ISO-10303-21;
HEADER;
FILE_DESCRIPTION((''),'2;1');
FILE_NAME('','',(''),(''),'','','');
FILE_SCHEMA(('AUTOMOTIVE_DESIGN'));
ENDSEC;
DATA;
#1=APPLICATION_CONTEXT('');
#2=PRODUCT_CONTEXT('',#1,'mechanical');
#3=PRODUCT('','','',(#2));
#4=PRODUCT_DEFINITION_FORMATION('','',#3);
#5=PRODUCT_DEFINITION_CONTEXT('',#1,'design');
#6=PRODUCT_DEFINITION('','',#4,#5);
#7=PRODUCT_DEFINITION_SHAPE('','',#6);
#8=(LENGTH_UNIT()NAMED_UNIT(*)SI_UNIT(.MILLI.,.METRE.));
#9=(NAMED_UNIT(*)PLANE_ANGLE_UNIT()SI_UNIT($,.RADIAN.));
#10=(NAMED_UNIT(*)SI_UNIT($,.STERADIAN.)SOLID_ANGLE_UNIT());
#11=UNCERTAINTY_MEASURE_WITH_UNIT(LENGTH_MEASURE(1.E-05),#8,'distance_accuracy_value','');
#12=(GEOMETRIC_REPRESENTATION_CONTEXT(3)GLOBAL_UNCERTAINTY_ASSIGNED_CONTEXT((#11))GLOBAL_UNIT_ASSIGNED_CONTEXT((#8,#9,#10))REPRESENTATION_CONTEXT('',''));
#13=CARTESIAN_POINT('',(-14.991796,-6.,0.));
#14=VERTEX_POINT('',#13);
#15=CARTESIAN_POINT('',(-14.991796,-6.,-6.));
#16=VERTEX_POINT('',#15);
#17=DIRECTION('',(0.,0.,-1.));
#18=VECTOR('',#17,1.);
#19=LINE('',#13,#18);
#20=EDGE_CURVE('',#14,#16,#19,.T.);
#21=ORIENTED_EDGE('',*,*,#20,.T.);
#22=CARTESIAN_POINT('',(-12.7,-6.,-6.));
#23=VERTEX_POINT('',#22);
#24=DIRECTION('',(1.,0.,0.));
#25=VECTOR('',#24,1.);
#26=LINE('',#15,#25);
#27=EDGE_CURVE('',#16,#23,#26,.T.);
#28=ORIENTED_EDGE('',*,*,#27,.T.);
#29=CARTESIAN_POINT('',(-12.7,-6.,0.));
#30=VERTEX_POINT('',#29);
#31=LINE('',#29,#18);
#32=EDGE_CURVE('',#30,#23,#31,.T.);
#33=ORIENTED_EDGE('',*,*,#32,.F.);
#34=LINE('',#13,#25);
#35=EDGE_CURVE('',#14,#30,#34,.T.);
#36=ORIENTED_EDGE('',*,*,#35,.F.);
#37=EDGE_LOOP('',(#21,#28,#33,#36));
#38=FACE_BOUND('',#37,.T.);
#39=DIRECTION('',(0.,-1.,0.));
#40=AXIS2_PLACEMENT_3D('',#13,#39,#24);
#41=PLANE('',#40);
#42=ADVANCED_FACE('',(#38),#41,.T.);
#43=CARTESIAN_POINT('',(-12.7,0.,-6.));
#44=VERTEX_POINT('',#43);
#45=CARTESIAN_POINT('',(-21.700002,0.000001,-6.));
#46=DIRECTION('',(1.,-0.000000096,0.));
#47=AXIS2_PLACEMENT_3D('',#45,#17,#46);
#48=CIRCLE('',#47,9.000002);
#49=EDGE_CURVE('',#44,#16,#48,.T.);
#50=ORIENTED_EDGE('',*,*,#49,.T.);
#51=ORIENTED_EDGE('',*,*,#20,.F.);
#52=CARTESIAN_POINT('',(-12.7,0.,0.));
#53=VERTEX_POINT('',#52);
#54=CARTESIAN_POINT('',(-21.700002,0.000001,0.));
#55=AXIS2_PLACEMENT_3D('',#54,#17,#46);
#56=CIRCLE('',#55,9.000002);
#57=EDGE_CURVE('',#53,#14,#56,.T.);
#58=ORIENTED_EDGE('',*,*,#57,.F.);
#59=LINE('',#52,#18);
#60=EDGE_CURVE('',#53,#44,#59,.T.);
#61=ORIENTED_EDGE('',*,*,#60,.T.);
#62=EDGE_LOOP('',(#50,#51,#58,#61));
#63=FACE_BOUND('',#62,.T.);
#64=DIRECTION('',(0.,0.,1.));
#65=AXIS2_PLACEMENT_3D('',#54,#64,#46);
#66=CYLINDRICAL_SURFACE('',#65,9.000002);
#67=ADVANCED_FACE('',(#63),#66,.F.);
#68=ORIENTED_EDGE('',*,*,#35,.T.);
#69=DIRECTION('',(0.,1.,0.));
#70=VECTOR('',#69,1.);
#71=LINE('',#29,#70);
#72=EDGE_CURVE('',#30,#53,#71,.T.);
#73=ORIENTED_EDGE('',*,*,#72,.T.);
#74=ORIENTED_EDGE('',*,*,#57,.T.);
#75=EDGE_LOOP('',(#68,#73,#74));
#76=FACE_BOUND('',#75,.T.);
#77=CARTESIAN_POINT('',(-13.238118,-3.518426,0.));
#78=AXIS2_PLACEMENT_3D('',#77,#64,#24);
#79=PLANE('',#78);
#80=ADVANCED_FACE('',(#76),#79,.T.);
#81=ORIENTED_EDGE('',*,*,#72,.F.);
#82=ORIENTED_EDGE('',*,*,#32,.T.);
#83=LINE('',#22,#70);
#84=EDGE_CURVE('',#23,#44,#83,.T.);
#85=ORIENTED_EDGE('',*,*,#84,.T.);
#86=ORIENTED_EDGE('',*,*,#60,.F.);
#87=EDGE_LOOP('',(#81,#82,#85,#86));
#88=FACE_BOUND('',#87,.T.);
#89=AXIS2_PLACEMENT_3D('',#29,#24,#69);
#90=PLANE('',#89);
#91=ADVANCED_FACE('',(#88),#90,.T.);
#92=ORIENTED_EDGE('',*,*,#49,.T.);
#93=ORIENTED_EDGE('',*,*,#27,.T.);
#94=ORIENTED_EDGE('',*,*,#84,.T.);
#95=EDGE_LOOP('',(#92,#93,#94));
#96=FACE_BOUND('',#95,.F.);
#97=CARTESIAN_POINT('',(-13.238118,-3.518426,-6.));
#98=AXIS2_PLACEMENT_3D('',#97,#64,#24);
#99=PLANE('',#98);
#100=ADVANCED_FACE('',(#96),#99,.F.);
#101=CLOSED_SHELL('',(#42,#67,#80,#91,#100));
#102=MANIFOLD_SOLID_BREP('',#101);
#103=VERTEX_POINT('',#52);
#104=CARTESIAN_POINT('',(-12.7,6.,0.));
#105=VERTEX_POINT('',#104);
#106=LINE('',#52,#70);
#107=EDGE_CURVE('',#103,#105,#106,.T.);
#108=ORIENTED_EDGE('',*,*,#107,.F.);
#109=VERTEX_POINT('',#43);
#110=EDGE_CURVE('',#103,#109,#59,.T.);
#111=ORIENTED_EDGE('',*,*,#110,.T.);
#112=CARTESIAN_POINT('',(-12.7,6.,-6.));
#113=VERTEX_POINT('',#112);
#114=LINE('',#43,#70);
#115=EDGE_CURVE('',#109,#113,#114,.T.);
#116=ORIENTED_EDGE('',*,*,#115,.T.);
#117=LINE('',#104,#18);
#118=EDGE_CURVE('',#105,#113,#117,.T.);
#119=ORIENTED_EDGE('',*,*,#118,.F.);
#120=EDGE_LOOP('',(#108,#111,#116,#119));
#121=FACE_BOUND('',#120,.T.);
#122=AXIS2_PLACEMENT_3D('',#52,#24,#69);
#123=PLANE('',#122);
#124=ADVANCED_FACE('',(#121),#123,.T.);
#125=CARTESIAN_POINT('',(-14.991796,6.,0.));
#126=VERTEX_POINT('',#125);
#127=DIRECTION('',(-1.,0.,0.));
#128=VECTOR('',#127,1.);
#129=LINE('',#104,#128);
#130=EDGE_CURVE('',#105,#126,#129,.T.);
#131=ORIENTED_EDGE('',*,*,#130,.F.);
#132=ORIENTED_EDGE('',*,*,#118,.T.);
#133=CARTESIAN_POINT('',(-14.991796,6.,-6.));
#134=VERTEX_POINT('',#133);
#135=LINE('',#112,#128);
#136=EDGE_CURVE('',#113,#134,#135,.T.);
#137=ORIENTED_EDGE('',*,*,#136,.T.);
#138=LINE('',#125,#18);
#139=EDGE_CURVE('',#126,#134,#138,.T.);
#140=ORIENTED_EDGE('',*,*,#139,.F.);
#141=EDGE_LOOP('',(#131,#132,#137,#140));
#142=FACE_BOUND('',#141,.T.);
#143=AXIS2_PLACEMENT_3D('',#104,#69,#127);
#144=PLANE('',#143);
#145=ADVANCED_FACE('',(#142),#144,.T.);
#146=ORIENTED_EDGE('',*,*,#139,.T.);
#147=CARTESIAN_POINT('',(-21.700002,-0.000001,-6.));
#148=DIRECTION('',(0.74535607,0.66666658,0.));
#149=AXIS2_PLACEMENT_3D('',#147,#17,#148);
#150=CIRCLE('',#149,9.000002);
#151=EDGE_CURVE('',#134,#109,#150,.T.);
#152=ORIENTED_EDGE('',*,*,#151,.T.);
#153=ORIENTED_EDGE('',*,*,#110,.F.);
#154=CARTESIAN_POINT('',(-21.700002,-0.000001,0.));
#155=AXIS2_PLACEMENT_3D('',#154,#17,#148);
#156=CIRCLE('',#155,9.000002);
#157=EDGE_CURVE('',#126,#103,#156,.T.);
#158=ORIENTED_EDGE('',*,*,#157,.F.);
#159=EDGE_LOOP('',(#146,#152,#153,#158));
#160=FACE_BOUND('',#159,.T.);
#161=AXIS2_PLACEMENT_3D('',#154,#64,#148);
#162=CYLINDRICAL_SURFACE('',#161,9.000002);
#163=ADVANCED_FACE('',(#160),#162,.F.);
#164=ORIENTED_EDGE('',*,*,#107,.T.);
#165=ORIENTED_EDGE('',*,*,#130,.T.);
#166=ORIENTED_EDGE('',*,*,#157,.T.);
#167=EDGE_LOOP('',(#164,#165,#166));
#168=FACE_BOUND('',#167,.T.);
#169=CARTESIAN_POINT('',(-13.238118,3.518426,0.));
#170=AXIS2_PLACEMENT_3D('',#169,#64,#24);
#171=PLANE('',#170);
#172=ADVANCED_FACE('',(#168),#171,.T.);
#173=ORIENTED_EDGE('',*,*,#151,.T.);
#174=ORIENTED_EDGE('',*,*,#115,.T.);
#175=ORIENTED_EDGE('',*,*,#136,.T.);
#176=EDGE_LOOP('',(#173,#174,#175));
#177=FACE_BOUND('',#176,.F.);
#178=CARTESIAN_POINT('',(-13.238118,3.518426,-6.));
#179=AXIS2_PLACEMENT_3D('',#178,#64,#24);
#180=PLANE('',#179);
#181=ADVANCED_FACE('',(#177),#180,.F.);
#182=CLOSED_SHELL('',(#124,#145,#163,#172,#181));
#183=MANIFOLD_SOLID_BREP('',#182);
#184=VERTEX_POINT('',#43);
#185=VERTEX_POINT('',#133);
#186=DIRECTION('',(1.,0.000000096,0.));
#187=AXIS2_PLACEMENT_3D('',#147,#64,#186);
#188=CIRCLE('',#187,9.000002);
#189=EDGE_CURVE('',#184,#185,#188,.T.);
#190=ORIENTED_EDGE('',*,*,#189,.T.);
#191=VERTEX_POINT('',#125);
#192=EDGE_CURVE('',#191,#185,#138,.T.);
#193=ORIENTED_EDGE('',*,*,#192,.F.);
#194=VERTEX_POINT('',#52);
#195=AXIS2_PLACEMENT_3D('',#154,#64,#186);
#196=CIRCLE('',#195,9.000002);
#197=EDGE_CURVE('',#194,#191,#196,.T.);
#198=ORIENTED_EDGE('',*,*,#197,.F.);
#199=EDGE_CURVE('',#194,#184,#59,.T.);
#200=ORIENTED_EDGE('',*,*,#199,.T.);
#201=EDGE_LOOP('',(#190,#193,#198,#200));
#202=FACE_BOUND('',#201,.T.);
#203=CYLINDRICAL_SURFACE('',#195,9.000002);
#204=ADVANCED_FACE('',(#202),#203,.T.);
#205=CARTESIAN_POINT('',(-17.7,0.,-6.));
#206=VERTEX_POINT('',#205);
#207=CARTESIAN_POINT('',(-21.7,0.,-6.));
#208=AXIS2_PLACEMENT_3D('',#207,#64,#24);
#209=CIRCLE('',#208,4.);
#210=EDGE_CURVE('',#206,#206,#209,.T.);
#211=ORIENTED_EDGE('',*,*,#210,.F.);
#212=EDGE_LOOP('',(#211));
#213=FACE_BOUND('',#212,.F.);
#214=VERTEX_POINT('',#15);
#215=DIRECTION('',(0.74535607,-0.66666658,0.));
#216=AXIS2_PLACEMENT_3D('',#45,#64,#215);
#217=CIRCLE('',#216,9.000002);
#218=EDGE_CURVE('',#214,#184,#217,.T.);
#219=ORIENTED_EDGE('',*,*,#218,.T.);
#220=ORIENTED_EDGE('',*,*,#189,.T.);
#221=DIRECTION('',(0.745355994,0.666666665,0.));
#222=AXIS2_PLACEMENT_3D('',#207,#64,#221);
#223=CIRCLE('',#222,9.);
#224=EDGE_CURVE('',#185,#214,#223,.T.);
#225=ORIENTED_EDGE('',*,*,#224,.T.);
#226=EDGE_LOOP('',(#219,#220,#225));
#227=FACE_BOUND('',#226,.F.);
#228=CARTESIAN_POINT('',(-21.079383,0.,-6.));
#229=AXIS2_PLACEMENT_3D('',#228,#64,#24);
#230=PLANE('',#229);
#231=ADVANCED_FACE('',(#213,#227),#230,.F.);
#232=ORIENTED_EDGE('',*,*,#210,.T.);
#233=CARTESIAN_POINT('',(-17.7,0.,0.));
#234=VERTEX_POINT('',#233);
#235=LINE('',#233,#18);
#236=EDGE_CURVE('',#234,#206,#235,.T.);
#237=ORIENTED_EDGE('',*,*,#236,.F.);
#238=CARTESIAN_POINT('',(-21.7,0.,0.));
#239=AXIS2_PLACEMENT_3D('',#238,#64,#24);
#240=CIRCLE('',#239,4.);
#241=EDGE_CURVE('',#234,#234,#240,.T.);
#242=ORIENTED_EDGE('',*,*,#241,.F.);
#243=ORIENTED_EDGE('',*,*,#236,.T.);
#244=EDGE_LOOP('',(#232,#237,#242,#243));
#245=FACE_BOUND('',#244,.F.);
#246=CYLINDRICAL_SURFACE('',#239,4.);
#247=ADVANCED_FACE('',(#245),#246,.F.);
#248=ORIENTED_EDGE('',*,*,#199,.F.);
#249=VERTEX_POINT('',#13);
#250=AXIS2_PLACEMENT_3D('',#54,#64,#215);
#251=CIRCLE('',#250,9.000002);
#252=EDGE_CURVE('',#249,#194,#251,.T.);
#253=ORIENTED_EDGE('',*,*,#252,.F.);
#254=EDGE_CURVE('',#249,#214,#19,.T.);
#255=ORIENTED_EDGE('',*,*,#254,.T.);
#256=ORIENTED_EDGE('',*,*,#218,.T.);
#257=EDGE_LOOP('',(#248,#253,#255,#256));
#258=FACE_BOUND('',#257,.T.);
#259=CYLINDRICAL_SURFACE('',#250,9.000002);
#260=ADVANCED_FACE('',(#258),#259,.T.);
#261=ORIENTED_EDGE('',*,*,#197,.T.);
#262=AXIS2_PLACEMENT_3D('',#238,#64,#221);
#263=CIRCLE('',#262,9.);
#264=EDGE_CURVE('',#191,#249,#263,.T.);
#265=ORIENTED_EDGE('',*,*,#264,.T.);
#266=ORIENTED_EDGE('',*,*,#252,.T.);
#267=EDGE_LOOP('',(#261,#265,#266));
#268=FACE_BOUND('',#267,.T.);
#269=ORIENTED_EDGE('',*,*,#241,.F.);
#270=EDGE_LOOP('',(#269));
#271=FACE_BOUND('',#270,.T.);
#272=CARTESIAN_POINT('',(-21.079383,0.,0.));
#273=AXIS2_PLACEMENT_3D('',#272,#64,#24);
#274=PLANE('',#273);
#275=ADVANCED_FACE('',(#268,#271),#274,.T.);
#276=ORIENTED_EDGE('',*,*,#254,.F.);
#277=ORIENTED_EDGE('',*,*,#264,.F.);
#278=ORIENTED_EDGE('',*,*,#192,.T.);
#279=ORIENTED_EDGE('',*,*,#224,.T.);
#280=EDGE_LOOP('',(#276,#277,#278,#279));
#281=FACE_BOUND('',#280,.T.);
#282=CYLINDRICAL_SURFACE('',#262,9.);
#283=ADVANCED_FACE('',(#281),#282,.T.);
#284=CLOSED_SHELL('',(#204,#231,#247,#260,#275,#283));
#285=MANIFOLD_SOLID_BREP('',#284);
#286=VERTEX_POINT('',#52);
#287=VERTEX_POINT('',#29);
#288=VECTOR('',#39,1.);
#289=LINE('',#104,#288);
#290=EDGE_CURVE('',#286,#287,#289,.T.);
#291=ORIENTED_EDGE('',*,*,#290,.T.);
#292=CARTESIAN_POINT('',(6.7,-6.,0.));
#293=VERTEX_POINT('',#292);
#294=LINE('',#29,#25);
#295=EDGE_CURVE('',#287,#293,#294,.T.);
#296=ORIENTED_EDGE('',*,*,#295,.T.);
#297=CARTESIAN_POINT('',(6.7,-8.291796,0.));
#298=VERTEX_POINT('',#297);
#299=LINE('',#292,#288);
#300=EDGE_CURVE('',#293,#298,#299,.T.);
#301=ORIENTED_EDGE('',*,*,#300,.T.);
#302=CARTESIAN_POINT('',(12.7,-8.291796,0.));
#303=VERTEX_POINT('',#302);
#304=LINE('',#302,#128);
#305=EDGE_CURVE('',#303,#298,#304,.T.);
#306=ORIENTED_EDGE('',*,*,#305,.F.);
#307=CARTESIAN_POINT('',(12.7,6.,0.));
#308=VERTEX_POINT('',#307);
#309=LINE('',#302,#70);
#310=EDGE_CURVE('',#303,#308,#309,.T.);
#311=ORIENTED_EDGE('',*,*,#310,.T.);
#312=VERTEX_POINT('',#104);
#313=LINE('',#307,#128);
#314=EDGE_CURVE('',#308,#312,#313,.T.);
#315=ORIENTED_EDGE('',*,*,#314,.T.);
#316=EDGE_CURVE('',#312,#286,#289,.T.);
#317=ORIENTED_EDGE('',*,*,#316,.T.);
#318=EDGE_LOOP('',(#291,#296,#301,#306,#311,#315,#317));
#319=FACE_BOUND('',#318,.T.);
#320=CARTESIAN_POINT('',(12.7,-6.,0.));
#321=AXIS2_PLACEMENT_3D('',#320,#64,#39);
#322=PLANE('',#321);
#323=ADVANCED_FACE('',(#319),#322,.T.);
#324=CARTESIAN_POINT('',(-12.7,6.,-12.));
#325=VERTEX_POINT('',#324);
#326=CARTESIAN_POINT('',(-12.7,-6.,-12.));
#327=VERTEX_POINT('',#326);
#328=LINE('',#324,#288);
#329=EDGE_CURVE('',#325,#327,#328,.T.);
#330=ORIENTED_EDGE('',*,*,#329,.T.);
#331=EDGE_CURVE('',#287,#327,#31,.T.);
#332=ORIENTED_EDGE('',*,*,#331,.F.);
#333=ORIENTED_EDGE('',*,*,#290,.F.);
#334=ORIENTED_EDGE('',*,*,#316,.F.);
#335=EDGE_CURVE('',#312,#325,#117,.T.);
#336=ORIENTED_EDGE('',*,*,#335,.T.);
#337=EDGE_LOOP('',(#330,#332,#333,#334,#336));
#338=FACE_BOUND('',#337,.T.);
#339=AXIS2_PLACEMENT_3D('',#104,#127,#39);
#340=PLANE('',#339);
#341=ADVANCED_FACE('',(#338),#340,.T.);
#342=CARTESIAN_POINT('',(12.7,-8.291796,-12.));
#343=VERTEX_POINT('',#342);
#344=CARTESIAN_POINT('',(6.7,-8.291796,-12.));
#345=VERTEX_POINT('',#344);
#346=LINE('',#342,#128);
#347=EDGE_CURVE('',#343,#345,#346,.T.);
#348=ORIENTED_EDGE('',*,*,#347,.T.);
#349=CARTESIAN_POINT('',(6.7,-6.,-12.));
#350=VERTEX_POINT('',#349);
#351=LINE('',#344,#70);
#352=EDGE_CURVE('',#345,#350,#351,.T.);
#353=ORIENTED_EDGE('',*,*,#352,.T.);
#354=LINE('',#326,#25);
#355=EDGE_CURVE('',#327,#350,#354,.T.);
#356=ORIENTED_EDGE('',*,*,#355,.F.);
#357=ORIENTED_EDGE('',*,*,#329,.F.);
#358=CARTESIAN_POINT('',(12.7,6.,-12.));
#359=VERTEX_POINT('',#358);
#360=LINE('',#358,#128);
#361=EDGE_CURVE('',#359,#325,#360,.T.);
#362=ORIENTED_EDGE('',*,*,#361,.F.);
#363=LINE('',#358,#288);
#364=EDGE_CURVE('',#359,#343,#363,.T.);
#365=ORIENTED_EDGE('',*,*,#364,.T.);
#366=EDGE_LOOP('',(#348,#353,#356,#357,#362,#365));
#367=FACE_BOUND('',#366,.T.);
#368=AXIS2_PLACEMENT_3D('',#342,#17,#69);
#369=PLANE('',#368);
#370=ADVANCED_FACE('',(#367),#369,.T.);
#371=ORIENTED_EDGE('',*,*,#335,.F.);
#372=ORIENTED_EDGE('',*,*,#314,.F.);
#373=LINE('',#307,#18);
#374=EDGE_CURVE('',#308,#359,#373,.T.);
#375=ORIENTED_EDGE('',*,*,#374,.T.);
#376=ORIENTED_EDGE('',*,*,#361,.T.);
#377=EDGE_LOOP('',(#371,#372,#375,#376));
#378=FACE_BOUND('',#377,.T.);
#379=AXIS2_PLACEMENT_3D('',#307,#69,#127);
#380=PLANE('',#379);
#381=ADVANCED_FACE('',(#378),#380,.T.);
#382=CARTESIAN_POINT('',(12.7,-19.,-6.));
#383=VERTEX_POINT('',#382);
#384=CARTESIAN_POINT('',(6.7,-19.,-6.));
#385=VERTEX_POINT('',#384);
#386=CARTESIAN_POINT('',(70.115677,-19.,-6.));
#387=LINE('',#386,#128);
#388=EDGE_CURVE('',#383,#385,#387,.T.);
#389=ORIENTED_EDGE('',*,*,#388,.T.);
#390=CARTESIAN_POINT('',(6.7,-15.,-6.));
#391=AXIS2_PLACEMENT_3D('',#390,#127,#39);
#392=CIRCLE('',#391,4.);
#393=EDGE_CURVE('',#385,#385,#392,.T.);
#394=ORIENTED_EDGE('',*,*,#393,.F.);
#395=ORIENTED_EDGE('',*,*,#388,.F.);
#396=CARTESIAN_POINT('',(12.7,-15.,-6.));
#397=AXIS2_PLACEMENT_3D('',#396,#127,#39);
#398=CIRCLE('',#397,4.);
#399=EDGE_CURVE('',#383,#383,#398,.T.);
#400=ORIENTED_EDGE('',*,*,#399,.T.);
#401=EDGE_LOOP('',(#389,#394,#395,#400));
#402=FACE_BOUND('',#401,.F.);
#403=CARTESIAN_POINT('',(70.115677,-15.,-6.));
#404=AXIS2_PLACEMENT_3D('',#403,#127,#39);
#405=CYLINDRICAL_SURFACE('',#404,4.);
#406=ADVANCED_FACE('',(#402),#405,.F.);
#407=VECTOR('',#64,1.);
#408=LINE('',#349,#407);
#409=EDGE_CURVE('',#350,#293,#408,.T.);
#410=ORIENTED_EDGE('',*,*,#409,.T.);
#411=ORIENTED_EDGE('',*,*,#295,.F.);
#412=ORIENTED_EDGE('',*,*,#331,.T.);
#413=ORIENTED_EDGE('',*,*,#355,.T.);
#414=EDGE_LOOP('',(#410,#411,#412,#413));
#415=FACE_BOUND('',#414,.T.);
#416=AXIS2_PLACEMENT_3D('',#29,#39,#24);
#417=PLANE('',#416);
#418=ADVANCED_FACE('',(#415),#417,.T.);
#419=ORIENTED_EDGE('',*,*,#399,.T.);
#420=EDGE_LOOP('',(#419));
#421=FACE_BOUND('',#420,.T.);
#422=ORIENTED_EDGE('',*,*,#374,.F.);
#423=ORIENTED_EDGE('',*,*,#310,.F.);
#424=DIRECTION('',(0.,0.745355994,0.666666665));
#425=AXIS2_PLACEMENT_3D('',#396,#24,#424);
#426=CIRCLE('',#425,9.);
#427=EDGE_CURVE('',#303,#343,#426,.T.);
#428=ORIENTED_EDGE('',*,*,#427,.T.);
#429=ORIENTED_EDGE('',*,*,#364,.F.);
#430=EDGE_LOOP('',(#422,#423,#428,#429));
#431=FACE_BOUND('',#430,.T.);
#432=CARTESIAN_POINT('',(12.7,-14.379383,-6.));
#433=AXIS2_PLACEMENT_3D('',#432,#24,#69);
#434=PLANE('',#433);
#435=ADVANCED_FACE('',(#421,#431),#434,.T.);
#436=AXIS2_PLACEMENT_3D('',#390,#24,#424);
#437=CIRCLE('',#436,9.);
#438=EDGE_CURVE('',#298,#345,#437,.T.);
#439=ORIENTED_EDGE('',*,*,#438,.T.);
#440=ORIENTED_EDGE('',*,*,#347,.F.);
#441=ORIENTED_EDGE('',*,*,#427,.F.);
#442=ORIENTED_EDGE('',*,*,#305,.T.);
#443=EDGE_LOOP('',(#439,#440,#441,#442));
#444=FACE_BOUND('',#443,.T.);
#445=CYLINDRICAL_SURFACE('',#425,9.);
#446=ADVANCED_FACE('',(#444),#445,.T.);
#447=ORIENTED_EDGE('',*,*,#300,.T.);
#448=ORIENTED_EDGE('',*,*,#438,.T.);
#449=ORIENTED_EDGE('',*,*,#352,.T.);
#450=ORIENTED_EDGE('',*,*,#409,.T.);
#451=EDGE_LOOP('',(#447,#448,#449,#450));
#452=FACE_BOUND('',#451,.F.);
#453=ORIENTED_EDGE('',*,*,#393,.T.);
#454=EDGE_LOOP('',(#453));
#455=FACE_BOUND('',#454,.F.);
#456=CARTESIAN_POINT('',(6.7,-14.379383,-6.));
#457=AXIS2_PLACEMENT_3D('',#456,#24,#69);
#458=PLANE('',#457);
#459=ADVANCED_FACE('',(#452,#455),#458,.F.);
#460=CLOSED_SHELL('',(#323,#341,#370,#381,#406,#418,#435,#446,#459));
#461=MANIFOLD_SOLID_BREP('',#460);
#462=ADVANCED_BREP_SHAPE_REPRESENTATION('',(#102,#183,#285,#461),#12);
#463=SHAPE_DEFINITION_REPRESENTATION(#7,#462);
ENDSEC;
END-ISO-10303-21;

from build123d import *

# Parameters (mm, degrees)
F0_R     = 4
F1_DEPTH = 6
F0_W     = 12.7
F0_H     = 6
F2_DEPTH = 12
F3_DEPTH = 6
F5_DEPTH = 6
F6_D     = 8


with BuildPart() as f1:
    # F0 (on Top) → F1 (new body)
    with BuildSketch(Plane.XY):
        with BuildLine():
            ThreePointArc((-14.991796, -6), (-13.292449, -3.211399), (-12.7, 0))
            ThreePointArc((-12.7, 0), (-13.292449, 3.211399), (-14.991796, 6))
            ThreePointArc((-14.991796, 6), (-30.7, 0), (-14.991796, -6))
        make_face()
        with Locations((-21.7, 0)):
            Circle(F0_R, mode=Mode.SUBTRACT)
    extrude(amount=-F1_DEPTH)

    # F0 (on Top) → F2 (join)
    with BuildSketch(Plane.XY):
        with Locations((-6.35, 3)):
            Rectangle(F0_W, F0_H)
        with Locations((6.35, 3)):
            Rectangle(F0_W, F0_H)
        with Locations((-6.35, -3)):
            Rectangle(F0_W, F0_H)
        Polygon((12.7, 0), (0, 0), (0, -6), (7.7, -6), (12.7, -6), align=None)
    extrude(amount=-F2_DEPTH)

    # F4 (on face) → F5 (join)
    with BuildSketch(Plane.YZ.offset(12.7)):
        with BuildLine():
            ThreePointArc((-8.291796, -12), (-6.592449, -9.211399), (-6, -6))
            ThreePointArc((-6, -6), (-6.592449, -2.788601), (-8.291796, 0))
            ThreePointArc((-8.291796, 0), (-24, -6), (-8.291796, -12))
        make_face()
        with BuildLine():
            Line((-6, -12), (-6, -6))
            ThreePointArc((-6, -6), (-6.592449, -9.211399), (-8.291796, -12))
            Line((-8.291796, -12), (-6, -12))
        make_face()
        with BuildLine():
            Line((-6, -6), (-6, 0))
            Line((-6, 0), (-8.291796, 0))
            ThreePointArc((-8.291796, 0), (-6.592449, -2.788601), (-6, -6))
        make_face()
    extrude(amount=-F5_DEPTH)

    # F6 (through all)
    with Locations(Plane.YZ.offset(12.7)):
        with Locations((-15, -6)):
            Hole(F6_D / 2)


with BuildPart() as f3:
    # F0 (on Top) → F3 (new body)
    with BuildSketch(Plane.XY):
        with BuildLine():
            ThreePointArc((-14.991796, 6), (-13.292449, 3.211399), (-12.7, 0))
            Line((-12.7, 0), (-12.7, 6))
            Line((-12.7, 6), (-14.991796, 6))
        make_face()
        with BuildLine():
            Line((-12.7, -6), (-12.7, 0))
            ThreePointArc((-12.7, 0), (-13.292449, -3.211399), (-14.991796, -6))
            Line((-14.991796, -6), (-12.7, -6))
        make_face()
    extrude(amount=-F3_DEPTH)


solid = Compound([f1.part, f3.part])
